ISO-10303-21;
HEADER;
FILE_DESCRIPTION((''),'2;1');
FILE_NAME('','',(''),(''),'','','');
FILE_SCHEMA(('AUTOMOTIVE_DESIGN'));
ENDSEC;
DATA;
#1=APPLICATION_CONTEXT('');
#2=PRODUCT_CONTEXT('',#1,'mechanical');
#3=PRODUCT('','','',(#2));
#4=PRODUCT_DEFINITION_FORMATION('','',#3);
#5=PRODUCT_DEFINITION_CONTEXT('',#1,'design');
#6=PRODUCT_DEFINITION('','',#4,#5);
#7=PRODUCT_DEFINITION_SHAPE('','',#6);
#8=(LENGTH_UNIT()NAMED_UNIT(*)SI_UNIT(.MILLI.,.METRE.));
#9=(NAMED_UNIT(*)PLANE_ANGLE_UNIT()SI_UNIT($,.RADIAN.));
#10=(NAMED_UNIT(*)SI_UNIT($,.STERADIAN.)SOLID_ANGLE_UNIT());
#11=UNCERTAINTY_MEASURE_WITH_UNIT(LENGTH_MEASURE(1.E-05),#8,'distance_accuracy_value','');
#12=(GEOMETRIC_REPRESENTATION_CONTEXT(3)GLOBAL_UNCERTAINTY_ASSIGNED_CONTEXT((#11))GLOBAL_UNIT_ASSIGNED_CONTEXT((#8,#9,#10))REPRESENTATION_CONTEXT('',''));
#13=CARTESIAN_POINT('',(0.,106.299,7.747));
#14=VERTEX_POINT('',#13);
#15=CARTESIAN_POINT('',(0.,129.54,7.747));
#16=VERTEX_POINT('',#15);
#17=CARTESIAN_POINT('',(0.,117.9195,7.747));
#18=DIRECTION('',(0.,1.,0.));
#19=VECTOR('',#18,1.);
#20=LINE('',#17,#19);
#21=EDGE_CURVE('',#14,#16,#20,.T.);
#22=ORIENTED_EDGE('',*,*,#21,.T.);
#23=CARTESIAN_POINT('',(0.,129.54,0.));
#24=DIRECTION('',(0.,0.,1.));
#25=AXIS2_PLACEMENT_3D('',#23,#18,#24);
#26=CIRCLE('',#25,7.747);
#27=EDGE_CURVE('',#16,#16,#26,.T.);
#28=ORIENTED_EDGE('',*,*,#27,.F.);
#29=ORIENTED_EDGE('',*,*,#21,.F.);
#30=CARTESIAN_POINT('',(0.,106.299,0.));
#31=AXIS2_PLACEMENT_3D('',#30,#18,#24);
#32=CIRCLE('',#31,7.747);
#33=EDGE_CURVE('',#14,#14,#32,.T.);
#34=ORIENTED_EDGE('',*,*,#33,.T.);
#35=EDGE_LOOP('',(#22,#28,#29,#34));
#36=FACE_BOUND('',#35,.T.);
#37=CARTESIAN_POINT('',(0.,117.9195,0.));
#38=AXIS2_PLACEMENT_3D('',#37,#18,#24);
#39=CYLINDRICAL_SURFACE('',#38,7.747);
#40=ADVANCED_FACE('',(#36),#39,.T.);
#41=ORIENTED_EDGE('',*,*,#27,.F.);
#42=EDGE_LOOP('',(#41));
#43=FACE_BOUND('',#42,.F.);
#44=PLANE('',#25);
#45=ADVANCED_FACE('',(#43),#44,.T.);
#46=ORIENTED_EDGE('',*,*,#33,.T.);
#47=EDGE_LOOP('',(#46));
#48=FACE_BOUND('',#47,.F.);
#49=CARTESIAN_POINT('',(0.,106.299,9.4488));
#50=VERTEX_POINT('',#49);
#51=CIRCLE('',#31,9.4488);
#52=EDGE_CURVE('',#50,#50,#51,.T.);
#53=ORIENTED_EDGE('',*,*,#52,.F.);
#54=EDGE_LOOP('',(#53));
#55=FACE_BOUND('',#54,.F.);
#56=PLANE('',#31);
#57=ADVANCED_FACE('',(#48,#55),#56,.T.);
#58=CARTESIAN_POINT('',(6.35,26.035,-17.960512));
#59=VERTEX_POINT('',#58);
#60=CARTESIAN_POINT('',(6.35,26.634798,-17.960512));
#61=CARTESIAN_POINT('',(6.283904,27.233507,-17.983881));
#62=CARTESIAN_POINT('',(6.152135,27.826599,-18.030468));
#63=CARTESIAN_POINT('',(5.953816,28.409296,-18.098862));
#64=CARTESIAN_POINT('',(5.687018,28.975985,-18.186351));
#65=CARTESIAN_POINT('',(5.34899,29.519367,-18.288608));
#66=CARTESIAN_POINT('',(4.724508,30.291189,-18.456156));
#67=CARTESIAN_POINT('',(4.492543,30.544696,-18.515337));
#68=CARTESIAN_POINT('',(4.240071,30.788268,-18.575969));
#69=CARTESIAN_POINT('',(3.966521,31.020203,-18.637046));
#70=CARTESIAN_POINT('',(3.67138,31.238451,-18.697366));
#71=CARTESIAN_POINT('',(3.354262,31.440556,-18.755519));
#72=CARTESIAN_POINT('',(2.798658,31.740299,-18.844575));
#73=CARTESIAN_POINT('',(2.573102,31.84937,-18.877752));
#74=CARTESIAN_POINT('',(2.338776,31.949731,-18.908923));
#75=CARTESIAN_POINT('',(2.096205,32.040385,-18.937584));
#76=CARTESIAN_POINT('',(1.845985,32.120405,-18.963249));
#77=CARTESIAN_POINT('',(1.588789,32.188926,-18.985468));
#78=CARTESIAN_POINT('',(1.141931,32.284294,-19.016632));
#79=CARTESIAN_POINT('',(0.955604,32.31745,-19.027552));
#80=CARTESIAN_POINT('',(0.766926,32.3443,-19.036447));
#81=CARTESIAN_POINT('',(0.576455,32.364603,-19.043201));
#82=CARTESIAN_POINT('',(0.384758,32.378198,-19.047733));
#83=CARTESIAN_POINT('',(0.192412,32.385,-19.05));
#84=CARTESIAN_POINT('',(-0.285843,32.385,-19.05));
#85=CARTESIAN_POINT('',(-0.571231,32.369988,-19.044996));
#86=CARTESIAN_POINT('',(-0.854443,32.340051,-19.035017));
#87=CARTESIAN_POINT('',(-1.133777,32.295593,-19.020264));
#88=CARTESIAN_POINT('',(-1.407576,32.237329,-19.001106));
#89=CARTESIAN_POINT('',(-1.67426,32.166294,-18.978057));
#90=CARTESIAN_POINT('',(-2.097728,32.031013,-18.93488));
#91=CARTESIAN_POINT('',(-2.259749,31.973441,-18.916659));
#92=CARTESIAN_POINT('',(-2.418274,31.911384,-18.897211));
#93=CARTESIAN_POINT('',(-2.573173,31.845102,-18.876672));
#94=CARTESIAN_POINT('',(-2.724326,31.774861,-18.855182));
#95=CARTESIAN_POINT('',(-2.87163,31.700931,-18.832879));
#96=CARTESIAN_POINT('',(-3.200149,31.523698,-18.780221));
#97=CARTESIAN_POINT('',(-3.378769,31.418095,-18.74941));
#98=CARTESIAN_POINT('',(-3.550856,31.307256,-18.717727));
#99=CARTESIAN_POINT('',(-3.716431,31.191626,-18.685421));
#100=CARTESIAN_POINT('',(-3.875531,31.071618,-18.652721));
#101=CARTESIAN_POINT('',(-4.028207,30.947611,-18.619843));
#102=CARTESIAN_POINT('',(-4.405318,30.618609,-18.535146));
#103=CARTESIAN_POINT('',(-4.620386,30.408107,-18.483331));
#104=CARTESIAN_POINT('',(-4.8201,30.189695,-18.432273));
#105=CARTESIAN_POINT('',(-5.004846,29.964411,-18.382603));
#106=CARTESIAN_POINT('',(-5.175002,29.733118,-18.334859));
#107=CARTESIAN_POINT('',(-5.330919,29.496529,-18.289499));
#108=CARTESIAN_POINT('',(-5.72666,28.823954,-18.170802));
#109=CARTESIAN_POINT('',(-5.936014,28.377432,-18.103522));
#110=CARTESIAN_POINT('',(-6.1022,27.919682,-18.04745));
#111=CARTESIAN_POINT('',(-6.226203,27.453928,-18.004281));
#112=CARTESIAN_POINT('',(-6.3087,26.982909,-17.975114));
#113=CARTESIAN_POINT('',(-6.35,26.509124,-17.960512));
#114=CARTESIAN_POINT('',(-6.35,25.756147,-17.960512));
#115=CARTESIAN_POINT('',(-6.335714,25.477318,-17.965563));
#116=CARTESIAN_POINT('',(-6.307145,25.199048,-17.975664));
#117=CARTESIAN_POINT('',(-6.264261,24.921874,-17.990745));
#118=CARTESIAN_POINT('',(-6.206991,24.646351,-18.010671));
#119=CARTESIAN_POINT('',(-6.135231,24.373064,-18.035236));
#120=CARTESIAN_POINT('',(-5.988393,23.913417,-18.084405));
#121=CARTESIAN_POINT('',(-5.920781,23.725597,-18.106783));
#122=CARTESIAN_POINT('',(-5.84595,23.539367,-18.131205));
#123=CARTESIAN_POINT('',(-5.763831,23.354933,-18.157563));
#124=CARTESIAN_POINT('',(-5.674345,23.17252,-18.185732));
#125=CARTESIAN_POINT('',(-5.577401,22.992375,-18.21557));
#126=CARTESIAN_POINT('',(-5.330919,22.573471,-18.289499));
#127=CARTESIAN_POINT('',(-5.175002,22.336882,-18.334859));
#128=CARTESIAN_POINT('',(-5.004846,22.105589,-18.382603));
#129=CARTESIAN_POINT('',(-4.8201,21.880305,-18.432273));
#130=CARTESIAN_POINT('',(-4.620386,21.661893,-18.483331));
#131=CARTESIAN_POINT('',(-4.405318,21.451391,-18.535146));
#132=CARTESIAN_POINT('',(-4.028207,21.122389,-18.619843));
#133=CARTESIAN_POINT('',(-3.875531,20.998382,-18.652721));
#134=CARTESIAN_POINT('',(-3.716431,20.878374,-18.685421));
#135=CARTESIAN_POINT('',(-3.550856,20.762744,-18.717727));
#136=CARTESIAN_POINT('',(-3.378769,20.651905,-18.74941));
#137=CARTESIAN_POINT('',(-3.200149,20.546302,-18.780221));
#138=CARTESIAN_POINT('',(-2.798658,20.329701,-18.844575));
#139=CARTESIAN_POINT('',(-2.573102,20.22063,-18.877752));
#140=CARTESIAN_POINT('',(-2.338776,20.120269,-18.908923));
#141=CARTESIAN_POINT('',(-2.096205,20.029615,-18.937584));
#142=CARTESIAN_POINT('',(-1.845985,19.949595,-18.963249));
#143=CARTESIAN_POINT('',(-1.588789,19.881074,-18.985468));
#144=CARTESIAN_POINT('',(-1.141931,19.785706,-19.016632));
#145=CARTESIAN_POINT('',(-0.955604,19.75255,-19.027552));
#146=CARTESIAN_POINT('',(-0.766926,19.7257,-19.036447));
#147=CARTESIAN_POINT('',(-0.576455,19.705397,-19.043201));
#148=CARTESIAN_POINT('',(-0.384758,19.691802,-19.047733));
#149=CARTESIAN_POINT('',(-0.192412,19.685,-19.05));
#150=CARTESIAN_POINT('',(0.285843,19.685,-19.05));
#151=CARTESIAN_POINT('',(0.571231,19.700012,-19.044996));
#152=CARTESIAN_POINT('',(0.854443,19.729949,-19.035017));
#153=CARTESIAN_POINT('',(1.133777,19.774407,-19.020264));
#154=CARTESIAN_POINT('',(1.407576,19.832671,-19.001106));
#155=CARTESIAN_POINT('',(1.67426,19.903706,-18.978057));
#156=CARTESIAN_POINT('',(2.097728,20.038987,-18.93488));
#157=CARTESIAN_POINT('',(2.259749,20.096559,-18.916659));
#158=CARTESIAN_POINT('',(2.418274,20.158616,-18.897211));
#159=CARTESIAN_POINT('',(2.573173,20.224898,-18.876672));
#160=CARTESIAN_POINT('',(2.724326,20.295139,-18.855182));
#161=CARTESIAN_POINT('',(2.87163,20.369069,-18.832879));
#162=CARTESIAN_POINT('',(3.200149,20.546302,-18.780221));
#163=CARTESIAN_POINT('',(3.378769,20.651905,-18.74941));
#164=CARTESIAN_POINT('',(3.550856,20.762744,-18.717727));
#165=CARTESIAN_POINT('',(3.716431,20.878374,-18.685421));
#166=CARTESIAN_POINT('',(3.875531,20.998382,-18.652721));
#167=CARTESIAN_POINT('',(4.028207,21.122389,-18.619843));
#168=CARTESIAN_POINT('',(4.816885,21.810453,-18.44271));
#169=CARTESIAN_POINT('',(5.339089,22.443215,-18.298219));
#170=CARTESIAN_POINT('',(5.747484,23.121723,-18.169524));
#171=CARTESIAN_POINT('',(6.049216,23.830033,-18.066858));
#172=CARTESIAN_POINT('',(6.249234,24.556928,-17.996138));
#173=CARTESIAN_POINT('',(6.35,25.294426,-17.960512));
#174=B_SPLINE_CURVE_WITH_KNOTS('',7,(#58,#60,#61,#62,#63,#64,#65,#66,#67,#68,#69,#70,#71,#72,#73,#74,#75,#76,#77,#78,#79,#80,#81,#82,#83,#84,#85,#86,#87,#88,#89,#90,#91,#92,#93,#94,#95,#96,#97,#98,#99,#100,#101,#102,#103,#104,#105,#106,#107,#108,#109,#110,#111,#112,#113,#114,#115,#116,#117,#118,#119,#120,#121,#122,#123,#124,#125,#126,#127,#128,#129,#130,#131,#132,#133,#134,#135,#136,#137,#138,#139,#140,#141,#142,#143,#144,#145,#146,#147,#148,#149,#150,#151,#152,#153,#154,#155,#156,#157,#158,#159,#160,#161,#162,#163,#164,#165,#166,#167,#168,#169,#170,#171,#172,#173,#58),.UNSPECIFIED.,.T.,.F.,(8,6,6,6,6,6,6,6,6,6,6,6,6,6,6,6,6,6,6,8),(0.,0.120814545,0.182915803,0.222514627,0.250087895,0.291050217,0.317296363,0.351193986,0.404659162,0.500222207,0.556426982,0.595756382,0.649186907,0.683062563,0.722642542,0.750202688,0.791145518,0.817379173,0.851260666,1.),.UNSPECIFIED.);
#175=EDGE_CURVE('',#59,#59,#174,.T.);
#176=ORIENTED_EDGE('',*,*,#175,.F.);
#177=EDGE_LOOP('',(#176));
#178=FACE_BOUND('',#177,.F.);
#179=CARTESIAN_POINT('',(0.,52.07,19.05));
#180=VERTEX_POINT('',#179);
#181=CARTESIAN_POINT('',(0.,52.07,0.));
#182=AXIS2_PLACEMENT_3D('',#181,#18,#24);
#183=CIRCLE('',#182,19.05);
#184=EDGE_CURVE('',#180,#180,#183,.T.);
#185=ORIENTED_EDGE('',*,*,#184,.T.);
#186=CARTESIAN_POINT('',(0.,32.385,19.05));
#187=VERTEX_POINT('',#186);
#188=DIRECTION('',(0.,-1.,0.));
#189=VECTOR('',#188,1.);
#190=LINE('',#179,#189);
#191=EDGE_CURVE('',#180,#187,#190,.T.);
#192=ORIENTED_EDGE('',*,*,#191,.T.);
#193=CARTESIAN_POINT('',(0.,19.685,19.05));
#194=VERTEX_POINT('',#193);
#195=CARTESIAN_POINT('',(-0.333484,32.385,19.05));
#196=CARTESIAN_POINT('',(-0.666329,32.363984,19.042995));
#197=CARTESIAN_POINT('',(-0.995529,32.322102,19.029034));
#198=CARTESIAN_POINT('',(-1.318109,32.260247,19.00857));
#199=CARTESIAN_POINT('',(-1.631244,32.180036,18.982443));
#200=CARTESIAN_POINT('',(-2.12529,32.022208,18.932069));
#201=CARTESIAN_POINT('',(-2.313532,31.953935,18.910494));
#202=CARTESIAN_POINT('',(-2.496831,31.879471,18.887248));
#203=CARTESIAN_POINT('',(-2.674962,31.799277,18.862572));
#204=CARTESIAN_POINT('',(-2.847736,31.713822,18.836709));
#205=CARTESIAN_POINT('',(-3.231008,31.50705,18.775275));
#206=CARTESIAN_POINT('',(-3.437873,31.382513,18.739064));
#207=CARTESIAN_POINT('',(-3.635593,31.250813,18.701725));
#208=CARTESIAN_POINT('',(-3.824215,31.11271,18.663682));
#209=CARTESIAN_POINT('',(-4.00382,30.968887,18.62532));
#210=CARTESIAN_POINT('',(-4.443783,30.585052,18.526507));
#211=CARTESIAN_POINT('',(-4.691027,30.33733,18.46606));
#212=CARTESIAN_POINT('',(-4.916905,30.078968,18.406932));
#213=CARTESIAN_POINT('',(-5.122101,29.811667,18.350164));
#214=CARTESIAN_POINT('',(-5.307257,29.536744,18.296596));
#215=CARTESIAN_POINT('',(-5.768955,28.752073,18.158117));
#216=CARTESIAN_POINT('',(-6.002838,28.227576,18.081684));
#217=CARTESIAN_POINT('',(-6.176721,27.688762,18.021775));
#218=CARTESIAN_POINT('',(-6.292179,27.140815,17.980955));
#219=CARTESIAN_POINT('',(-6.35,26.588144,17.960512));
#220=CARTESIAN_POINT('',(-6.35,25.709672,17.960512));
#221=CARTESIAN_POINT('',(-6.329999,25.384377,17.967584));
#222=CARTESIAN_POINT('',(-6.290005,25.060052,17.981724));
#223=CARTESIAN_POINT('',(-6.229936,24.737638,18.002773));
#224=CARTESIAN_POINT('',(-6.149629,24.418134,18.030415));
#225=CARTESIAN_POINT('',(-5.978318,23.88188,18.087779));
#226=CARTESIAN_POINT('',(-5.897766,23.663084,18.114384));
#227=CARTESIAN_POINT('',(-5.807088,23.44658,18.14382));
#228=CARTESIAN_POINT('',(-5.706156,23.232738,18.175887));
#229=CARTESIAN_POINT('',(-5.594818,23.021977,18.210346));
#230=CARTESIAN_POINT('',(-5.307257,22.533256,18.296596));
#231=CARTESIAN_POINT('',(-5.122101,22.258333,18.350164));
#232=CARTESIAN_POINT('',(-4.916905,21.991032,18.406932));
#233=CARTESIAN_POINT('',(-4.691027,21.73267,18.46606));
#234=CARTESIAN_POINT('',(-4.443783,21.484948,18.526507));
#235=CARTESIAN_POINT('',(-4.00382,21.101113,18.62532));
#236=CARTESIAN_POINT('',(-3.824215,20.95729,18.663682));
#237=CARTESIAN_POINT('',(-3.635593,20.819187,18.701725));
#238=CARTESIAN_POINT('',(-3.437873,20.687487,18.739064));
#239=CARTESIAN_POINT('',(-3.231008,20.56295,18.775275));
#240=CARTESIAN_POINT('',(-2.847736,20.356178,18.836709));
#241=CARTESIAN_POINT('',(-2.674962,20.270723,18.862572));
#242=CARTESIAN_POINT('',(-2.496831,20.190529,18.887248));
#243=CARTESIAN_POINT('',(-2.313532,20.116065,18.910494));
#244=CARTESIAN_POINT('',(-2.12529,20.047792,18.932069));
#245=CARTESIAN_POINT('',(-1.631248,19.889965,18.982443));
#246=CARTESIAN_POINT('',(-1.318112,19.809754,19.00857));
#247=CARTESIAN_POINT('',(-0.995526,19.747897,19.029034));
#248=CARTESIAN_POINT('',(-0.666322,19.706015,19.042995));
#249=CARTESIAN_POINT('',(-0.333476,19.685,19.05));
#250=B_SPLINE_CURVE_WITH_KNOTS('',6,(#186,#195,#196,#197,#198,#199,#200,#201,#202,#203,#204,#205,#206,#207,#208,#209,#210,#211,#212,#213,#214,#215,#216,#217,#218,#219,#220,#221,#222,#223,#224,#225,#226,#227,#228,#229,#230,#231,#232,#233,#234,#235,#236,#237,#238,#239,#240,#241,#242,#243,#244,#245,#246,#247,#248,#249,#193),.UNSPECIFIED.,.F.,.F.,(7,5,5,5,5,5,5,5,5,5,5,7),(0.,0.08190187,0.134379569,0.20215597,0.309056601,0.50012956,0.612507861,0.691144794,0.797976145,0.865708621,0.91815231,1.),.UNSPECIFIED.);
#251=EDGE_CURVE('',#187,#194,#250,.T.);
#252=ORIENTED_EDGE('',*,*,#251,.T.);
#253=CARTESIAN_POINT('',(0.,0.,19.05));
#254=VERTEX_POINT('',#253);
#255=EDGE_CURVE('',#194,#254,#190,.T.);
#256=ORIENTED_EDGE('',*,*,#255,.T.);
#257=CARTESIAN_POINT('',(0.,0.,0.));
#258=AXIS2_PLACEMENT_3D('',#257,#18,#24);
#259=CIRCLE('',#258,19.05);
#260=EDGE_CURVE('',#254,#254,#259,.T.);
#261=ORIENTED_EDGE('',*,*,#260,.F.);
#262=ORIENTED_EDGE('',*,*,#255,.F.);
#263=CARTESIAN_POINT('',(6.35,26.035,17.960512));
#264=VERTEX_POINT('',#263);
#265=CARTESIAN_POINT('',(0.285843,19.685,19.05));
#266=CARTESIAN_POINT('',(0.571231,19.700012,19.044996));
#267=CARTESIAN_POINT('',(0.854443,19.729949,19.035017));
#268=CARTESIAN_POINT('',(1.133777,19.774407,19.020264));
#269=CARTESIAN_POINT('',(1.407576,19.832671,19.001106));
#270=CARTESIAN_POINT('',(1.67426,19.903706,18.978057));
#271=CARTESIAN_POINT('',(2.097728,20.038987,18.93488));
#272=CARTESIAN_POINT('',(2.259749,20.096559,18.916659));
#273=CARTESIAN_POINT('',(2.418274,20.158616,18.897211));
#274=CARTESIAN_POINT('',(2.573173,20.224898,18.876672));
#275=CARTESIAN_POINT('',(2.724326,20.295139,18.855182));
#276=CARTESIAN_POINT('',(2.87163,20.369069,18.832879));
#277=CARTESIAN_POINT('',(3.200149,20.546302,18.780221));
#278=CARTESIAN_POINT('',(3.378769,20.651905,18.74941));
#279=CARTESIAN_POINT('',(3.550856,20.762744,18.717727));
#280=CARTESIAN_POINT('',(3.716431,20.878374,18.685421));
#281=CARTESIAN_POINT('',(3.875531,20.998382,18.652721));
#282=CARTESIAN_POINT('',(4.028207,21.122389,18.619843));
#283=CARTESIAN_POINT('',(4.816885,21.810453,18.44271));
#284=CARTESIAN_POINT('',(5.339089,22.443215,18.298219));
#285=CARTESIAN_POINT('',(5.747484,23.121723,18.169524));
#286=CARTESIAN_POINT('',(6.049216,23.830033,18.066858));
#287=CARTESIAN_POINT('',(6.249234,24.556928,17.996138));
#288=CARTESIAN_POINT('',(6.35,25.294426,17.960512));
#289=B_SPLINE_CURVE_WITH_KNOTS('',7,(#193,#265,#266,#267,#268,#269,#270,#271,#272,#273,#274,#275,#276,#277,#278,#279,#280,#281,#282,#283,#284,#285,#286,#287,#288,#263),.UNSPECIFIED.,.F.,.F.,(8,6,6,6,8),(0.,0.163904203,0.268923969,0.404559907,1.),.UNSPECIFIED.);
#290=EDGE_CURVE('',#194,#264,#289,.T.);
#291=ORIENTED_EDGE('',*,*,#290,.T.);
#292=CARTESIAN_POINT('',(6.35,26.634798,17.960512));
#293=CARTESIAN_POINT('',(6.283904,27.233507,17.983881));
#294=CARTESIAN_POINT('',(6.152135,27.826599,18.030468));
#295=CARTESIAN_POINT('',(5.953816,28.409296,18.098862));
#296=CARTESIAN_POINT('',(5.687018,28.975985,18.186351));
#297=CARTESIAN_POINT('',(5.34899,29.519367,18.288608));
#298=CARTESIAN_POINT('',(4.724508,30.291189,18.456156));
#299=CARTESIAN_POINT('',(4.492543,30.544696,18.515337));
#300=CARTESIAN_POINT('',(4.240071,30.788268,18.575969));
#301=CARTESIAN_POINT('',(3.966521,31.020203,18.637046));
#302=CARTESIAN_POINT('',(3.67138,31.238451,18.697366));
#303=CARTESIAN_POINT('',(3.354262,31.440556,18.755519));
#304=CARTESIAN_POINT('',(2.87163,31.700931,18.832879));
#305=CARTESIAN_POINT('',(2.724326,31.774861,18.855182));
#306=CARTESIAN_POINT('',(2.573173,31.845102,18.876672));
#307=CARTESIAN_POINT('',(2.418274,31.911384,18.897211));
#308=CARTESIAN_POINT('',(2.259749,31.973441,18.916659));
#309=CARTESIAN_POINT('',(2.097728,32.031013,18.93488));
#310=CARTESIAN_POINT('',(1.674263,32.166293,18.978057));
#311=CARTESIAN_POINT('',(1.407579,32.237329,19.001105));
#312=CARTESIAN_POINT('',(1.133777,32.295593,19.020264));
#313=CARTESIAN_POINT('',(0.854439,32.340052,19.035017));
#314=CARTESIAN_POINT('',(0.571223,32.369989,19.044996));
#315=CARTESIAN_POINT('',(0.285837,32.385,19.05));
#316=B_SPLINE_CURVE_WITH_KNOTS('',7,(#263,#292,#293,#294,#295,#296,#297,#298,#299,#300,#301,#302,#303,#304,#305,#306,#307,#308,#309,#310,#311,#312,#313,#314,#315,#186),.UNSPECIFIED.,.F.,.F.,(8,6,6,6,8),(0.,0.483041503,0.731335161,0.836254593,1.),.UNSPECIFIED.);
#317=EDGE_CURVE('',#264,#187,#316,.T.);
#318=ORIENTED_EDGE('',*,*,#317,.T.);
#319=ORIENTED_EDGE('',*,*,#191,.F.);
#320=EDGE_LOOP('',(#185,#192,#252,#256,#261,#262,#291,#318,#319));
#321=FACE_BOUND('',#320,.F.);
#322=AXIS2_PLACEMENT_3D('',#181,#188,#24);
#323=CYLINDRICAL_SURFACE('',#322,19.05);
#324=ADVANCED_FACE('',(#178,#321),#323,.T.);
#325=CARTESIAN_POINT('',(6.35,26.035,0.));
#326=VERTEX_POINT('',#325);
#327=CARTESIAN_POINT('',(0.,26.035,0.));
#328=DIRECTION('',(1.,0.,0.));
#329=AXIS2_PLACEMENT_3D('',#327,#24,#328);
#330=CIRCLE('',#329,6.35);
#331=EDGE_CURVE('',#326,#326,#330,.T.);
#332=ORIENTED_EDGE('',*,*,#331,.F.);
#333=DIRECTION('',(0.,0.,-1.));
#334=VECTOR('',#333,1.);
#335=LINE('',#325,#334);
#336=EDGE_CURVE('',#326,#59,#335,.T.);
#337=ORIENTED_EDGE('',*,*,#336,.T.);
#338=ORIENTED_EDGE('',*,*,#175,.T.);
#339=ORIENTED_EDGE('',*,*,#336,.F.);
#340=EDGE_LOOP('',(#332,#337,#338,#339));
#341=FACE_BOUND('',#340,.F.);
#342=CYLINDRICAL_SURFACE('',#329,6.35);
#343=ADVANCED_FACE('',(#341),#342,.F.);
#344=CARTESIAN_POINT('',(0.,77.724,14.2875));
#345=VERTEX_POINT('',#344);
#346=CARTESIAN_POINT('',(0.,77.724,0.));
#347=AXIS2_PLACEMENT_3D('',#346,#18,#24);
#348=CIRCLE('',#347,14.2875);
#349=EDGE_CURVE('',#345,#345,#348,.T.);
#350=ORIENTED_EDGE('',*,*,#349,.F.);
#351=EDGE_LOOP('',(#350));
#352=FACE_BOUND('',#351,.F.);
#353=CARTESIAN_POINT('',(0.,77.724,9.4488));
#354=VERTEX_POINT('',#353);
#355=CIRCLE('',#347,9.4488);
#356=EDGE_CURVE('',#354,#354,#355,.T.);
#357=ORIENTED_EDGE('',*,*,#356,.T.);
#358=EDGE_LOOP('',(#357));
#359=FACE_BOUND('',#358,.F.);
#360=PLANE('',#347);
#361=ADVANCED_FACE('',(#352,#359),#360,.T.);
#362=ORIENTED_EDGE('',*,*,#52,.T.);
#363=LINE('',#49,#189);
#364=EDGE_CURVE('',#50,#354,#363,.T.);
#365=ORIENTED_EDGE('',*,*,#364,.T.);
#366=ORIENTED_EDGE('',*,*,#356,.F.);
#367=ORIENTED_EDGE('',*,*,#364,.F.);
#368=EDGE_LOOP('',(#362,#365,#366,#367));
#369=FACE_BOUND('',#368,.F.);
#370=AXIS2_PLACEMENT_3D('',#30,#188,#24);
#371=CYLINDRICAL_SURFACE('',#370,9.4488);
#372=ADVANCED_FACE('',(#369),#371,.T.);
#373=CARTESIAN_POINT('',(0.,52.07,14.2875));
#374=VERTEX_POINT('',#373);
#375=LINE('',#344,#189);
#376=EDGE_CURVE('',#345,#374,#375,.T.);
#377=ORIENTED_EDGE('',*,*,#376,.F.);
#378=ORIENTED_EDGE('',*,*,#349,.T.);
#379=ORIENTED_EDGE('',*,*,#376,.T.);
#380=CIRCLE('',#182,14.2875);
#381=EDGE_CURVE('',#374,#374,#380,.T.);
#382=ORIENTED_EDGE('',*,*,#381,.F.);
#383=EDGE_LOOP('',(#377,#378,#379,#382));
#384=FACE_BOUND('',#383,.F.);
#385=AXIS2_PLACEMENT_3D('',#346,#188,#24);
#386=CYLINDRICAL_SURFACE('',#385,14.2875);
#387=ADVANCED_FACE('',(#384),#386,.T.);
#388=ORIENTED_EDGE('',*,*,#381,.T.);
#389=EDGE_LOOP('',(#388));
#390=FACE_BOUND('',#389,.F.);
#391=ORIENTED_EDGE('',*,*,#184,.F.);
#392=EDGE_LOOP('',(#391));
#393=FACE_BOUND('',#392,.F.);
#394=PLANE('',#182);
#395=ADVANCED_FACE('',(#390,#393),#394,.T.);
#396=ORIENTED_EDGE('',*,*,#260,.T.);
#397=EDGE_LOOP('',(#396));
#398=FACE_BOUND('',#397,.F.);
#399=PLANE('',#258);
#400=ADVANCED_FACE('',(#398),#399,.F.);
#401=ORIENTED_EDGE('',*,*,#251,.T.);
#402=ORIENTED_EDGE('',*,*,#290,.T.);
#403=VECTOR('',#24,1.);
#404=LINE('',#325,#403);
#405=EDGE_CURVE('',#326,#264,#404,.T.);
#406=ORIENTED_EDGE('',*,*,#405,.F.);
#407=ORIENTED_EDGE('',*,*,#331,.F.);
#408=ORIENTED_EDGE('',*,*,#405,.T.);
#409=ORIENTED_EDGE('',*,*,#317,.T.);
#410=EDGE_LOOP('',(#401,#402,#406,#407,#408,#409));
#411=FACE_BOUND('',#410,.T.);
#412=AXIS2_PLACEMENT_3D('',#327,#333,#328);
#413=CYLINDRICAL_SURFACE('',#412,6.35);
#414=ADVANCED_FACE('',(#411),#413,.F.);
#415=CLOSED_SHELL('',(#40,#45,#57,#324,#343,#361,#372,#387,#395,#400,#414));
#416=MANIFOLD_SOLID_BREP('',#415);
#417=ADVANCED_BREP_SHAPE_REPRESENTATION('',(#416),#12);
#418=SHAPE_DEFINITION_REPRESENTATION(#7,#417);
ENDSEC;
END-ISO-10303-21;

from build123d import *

# Parameters (mm, degrees)
F0_W          = 23.241
F0_H          = 7.747
F2_R          = 6.35
F3_DEPTH      = 19.051
F3_DEPTH_BACK = 19.051


with BuildPart() as f1:
    # F0 (on Right) → F1 (revolve)
    with BuildSketch(Plane.YZ):
        Polygon((52.07, 19.05), (0, 19.05), (0, 0), (52.07, 0), (52.07, 14.2875), align=None)
        Polygon((77.724, 14.2875), (52.07, 14.2875), (52.07, 0), (77.724, 0), (77.724, 9.4488), align=None)
        Polygon((77.724, 9.4488), (77.724, 0), (106.299, 0), (106.299, 7.747), (106.299, 9.4488), align=None)
        with Locations((117.9195, 3.8735)):
            Rectangle(F0_W, F0_H)
    revolve(axis=Axis((0, 26.035, 0), (0, 1, 0)))

    # F2 (on Top) → F3 (cut, two sides)
    with BuildSketch(Plane.XY) as f3_sk:
        with Locations((0, 26.035)):
            Circle(F2_R)
    extrude(amount=-F3_DEPTH, mode=Mode.SUBTRACT)
    extrude(f3_sk.sketch, amount=F3_DEPTH_BACK, mode=Mode.SUBTRACT)


solid = f1.part
